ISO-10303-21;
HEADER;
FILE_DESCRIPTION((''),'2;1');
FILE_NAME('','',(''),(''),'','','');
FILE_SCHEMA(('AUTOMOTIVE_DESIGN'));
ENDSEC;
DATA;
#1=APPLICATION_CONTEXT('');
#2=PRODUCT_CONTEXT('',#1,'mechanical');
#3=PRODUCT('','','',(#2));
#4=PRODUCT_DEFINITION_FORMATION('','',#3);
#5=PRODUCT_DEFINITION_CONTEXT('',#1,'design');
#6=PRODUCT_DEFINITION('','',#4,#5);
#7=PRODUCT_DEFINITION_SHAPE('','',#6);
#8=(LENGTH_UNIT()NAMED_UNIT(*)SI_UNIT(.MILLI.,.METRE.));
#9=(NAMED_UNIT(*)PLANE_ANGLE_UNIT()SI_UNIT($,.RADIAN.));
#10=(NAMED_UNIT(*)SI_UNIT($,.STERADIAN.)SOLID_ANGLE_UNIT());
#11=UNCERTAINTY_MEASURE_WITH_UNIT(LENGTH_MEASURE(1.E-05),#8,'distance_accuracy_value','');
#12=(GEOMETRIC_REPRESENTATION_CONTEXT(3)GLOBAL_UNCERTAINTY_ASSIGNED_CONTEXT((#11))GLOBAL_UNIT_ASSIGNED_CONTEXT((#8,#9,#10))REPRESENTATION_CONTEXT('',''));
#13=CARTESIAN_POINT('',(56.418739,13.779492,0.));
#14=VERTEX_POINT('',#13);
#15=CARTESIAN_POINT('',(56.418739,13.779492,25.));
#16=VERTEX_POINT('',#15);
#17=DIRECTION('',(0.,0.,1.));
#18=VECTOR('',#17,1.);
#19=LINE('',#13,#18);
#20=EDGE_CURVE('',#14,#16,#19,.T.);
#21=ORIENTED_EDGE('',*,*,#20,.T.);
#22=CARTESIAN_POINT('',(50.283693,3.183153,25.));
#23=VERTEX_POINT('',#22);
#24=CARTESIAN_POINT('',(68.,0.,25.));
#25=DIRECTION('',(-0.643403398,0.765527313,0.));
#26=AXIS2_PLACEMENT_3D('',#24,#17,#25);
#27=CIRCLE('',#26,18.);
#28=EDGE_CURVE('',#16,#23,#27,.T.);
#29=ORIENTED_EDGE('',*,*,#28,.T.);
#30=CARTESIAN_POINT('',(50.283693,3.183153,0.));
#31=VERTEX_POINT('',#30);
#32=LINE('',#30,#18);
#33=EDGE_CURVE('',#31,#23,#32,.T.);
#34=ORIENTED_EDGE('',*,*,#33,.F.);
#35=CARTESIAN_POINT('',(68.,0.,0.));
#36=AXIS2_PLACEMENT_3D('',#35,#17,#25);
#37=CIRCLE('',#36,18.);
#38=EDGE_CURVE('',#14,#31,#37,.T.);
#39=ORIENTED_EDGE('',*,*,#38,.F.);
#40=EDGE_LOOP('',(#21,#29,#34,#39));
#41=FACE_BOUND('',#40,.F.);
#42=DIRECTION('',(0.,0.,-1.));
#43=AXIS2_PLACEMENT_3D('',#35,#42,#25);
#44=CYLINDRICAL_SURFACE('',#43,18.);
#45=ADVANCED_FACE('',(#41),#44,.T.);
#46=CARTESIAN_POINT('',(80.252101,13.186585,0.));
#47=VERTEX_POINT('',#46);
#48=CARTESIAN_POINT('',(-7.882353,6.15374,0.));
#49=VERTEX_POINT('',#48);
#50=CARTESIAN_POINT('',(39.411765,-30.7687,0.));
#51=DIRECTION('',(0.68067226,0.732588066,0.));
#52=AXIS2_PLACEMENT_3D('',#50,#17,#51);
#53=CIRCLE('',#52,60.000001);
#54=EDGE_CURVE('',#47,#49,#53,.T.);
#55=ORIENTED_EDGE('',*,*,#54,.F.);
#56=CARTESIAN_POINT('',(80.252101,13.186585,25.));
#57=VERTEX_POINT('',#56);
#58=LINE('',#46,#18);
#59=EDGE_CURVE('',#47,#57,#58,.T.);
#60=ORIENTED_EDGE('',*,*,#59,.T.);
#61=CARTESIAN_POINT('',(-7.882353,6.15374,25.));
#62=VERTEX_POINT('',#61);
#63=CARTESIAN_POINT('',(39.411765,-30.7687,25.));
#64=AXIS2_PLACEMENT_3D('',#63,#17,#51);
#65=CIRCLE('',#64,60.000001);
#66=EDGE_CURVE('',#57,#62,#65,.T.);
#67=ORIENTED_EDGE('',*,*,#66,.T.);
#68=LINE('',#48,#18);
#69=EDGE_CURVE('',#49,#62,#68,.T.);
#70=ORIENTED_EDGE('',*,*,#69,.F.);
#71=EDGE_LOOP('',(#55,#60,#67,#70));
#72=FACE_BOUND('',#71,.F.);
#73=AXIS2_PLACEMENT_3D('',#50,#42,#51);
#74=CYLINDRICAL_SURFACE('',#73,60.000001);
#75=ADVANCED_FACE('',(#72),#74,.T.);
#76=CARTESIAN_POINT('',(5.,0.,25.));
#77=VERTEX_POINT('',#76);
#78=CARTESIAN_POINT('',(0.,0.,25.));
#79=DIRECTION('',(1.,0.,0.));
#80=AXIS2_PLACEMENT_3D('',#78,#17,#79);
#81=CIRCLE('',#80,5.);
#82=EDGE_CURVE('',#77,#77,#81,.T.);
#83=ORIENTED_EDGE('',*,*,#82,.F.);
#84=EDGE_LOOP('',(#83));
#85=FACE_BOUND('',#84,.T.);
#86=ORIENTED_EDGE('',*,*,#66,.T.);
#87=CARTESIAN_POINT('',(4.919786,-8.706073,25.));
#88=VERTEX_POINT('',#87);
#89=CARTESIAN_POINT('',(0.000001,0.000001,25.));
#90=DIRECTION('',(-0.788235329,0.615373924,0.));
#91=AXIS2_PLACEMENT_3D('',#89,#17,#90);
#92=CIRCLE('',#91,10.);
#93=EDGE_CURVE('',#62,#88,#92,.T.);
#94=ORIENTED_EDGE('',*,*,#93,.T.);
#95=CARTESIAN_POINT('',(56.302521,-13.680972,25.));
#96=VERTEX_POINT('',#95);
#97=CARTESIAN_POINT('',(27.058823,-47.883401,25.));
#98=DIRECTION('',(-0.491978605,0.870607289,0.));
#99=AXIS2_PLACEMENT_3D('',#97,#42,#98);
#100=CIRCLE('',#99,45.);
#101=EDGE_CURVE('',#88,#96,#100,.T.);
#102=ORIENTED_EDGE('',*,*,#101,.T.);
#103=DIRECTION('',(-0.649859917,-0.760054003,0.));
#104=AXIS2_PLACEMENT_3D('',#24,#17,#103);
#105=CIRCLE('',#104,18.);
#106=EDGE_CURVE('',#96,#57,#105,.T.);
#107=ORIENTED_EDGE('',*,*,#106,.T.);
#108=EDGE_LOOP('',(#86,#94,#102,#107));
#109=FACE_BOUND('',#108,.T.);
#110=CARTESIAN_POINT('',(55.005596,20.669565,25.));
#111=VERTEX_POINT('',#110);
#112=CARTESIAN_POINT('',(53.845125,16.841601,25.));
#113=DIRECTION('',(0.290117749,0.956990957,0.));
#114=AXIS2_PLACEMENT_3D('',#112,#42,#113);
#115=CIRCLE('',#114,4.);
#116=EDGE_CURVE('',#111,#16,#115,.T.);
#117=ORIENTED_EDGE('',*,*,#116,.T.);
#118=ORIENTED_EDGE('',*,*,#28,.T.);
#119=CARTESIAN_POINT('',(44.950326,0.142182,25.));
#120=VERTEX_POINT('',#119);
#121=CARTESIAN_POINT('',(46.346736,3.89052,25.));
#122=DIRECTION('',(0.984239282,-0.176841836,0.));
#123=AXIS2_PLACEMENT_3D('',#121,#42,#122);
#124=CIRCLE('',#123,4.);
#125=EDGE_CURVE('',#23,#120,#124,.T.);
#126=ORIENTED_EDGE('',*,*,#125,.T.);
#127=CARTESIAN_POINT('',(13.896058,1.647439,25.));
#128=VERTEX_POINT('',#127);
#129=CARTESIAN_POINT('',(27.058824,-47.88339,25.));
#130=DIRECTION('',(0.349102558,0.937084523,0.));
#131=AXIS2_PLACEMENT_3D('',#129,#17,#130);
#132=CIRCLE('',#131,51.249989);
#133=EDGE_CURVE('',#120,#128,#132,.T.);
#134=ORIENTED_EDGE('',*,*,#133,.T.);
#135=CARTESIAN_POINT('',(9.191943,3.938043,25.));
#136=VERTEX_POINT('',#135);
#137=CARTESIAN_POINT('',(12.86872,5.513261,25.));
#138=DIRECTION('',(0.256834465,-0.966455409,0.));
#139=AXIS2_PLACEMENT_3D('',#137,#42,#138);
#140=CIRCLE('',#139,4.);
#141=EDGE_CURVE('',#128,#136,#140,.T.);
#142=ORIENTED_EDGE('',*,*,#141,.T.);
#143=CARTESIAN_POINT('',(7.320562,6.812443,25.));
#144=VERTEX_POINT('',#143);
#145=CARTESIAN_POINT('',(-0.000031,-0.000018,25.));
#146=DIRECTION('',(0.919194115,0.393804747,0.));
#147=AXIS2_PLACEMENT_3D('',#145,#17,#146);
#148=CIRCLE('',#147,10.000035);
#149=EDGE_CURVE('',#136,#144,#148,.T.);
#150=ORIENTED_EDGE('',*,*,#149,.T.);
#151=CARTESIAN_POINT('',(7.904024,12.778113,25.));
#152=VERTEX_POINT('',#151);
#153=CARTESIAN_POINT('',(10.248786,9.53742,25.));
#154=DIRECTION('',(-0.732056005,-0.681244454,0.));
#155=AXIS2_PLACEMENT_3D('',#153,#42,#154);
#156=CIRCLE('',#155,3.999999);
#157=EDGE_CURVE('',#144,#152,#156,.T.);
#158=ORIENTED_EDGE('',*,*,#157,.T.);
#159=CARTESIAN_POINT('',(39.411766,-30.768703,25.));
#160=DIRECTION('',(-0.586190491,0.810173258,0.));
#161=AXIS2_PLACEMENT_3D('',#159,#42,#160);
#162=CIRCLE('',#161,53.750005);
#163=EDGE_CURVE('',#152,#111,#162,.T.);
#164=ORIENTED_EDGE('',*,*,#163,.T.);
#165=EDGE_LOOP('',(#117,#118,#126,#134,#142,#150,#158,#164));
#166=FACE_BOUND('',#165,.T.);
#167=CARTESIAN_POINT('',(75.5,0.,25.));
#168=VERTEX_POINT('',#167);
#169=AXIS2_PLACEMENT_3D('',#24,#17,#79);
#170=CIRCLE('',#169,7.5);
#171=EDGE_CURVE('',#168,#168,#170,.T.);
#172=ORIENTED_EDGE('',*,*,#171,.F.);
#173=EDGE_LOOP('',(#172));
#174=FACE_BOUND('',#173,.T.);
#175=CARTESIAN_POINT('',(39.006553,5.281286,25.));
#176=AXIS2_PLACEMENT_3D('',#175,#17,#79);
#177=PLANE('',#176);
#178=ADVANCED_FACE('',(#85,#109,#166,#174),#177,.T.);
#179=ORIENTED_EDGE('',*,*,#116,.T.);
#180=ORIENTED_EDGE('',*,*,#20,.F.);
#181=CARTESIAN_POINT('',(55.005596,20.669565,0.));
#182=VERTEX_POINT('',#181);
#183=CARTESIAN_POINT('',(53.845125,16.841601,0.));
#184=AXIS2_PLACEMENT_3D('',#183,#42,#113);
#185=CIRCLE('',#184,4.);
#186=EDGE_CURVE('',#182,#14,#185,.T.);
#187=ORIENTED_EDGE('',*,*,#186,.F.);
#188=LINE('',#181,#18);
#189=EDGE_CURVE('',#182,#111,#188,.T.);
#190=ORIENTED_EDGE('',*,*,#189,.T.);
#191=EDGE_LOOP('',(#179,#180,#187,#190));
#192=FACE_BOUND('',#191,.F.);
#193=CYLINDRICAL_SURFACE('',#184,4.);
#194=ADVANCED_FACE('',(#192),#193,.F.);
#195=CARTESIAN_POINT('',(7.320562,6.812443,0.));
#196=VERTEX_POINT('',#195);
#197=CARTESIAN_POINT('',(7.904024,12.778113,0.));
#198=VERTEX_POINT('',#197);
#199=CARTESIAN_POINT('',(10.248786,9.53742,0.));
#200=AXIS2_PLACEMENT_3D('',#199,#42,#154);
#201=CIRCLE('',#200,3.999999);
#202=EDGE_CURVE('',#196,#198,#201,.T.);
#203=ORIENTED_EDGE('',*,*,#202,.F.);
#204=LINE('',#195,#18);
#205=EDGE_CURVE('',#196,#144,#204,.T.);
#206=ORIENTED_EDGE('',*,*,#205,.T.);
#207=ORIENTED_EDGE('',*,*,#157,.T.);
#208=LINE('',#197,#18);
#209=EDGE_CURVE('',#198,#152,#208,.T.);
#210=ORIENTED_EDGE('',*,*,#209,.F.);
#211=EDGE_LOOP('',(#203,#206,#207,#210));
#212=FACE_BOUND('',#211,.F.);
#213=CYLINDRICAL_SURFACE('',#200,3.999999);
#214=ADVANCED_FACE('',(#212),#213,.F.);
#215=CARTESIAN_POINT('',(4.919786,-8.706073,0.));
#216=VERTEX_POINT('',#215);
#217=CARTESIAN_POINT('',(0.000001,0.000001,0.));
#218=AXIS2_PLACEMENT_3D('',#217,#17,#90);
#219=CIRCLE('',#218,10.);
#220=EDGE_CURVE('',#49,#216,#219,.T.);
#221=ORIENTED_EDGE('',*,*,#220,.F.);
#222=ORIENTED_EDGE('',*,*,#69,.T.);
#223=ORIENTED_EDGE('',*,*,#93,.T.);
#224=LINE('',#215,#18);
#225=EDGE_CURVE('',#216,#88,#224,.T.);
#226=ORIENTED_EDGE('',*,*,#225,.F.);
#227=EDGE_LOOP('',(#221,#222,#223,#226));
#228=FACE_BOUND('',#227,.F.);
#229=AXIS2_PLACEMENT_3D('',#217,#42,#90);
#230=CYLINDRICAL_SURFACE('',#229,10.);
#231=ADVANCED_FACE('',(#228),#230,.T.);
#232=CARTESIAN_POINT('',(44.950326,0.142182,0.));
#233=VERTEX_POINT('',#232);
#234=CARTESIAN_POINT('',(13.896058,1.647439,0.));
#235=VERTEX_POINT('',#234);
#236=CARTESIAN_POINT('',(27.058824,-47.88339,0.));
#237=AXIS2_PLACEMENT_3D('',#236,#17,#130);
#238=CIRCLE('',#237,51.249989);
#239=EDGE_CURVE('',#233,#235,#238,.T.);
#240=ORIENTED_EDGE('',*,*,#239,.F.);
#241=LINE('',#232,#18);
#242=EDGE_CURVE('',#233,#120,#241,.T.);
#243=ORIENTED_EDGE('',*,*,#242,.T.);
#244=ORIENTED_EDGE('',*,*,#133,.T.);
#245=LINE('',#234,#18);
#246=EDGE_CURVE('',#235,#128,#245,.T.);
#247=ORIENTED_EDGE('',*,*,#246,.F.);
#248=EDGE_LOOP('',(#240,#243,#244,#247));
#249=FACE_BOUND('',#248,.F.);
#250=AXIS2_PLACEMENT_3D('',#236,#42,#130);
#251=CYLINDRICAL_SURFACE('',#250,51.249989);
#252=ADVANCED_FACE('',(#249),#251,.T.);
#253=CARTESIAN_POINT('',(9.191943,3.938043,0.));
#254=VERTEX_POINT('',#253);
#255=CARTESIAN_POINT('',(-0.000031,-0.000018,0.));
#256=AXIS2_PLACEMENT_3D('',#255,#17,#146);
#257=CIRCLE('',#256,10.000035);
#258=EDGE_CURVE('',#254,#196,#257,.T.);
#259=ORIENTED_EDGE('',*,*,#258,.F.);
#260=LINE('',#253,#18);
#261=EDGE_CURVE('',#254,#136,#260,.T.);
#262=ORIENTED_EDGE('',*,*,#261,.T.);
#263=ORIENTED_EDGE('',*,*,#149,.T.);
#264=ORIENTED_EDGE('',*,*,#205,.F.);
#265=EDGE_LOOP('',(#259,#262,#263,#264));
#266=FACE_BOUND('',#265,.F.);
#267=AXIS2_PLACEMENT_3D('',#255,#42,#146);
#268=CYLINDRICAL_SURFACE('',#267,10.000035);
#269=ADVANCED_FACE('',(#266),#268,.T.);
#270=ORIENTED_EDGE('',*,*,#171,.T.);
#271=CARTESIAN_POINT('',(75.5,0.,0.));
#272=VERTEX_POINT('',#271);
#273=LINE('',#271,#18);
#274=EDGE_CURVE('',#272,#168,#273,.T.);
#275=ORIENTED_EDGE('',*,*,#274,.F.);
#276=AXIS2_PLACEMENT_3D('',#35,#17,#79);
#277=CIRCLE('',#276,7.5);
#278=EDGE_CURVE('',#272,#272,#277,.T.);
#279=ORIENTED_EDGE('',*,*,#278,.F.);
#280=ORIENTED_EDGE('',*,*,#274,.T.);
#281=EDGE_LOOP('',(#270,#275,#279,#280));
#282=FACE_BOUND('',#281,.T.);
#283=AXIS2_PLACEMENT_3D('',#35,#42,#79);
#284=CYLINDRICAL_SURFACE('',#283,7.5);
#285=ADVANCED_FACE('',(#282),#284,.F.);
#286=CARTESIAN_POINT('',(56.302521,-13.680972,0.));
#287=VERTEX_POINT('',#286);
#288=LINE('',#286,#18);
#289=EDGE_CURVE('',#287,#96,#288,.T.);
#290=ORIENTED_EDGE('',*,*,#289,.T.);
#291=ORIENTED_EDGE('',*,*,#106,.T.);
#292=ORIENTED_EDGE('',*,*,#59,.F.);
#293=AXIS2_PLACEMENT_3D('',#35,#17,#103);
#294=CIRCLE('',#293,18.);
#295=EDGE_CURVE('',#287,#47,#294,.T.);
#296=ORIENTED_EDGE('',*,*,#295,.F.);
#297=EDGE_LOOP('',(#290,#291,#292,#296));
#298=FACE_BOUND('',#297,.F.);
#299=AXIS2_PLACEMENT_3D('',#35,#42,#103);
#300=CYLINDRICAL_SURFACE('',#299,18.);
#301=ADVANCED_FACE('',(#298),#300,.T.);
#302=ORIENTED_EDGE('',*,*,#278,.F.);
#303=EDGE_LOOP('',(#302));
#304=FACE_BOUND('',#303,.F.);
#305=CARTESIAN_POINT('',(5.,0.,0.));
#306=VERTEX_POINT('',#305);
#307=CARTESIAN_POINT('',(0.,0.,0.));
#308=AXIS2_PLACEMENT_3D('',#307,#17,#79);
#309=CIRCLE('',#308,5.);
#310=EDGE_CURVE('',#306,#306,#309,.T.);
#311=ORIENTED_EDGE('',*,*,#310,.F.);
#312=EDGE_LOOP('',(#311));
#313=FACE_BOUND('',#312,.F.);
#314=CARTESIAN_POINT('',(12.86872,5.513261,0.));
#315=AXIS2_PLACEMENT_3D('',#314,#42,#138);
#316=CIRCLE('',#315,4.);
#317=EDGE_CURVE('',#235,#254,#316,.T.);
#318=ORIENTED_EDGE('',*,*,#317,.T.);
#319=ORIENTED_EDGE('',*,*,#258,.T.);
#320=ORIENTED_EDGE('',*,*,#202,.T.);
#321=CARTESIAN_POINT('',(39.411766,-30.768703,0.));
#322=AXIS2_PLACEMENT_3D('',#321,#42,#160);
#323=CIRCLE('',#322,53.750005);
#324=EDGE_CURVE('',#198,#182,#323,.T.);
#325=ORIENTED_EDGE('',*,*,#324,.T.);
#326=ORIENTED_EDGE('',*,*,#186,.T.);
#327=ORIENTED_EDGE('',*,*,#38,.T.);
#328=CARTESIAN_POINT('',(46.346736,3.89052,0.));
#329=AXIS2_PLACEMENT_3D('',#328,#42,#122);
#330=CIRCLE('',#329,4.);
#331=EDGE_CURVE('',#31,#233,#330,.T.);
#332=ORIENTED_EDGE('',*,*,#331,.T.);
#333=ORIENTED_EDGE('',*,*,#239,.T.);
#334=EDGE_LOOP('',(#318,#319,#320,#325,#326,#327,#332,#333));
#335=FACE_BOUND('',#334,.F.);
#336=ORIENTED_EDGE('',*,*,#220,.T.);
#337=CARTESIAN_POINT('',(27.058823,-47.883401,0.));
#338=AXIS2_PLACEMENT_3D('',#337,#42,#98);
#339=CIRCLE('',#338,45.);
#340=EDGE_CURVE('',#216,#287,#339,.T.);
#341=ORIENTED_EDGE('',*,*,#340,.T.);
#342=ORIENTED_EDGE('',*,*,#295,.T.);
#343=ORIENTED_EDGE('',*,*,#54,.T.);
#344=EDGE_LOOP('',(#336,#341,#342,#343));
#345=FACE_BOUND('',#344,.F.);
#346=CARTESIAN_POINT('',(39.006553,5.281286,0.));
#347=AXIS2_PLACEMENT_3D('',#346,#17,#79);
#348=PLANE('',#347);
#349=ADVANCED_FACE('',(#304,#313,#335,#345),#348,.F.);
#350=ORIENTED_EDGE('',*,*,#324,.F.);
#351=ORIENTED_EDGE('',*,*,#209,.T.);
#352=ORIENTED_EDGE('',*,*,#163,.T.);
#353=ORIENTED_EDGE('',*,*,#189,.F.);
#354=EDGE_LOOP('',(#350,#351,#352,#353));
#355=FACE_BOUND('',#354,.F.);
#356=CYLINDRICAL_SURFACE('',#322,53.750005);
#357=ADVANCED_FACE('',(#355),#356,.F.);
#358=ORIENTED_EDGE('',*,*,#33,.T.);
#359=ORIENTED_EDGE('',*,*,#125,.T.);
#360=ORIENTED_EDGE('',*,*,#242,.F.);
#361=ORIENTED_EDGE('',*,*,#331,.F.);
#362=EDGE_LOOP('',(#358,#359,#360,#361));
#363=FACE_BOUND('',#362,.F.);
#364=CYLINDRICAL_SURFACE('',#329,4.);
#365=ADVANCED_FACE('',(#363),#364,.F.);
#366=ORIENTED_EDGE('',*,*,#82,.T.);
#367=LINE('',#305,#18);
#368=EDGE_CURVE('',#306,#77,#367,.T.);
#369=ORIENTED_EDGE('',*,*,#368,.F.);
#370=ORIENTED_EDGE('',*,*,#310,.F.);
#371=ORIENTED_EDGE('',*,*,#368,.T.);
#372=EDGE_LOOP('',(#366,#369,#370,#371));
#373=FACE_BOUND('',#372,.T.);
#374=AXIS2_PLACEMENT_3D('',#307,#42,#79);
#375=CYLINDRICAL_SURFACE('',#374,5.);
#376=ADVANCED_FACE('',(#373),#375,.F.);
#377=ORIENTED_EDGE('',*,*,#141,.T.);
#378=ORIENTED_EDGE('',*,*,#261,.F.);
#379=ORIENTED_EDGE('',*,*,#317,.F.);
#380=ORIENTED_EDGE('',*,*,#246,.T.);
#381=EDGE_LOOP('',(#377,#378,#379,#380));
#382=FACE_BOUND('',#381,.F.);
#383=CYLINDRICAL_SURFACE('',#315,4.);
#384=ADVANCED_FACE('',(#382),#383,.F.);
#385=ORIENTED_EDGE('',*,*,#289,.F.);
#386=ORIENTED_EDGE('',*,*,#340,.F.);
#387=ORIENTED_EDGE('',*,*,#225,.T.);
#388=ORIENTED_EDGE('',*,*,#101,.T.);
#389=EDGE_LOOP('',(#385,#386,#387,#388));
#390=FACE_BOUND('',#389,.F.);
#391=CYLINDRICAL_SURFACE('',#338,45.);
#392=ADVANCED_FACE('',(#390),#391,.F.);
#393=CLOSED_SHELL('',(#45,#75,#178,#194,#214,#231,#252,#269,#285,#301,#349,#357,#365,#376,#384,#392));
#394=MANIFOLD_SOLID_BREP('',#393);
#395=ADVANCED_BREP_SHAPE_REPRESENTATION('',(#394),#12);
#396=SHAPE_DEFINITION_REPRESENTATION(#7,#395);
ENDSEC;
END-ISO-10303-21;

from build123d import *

# Parameters (mm, degrees)
F0_R     = 5
F0_R_2   = 7.5
F1_DEPTH = 25


with BuildPart() as f1:
    # F0 (on Top) → F1 (new body)
    with BuildSketch(Plane.XY):
        with BuildLine():
            ThreePointArc((56.302521, -13.680972), (81.43664, -11.977341), (80.252101, 13.186585))
            ThreePointArc((80.252101, 13.186585), (34.639129, 29.041183), (-7.882353, 6.15374))
            ThreePointArc((-7.882353, 6.15374), (-7.576127, -6.527043), (4.919786, -8.706073))
            ThreePointArc((4.919786, -8.706073), (31.395464, -3.092849), (56.302521, -13.680972))
        make_face()
        Circle(F0_R, mode=Mode.SUBTRACT)
        with Locations((68, 0)):
            Circle(F0_R_2, mode=Mode.SUBTRACT)
        with BuildLine():
            ThreePointArc((44.950326, 0.142182), (29.540091, 3.306499), (13.896058, 1.647439))
            ThreePointArc((13.896058, 1.647439), (11.117549, 1.916957), (9.191943, 3.938043))
            ThreePointArc((9.191943, 3.938043), (8.380408, 5.456075), (7.320562, 6.812443))
            ThreePointArc((7.320562, 6.812443), (6.267781, 9.926776), (7.904024, 12.778113))
            ThreePointArc((7.904024, 12.778113), (30.530218, 22.242438), (55.005596, 20.669565))
            ThreePointArc((55.005596, 20.669565), (57.763559, 17.645265), (56.418739, 13.779492))
            ThreePointArc((56.418739, 13.779492), (52.422533, 9.019009), (50.283693, 3.183153))
            ThreePointArc((50.283693, 3.183153), (48.328016, 0.415678), (44.950326, 0.142182))
        make_face(mode=Mode.SUBTRACT)
    extrude(amount=F1_DEPTH)


solid = f1.part
